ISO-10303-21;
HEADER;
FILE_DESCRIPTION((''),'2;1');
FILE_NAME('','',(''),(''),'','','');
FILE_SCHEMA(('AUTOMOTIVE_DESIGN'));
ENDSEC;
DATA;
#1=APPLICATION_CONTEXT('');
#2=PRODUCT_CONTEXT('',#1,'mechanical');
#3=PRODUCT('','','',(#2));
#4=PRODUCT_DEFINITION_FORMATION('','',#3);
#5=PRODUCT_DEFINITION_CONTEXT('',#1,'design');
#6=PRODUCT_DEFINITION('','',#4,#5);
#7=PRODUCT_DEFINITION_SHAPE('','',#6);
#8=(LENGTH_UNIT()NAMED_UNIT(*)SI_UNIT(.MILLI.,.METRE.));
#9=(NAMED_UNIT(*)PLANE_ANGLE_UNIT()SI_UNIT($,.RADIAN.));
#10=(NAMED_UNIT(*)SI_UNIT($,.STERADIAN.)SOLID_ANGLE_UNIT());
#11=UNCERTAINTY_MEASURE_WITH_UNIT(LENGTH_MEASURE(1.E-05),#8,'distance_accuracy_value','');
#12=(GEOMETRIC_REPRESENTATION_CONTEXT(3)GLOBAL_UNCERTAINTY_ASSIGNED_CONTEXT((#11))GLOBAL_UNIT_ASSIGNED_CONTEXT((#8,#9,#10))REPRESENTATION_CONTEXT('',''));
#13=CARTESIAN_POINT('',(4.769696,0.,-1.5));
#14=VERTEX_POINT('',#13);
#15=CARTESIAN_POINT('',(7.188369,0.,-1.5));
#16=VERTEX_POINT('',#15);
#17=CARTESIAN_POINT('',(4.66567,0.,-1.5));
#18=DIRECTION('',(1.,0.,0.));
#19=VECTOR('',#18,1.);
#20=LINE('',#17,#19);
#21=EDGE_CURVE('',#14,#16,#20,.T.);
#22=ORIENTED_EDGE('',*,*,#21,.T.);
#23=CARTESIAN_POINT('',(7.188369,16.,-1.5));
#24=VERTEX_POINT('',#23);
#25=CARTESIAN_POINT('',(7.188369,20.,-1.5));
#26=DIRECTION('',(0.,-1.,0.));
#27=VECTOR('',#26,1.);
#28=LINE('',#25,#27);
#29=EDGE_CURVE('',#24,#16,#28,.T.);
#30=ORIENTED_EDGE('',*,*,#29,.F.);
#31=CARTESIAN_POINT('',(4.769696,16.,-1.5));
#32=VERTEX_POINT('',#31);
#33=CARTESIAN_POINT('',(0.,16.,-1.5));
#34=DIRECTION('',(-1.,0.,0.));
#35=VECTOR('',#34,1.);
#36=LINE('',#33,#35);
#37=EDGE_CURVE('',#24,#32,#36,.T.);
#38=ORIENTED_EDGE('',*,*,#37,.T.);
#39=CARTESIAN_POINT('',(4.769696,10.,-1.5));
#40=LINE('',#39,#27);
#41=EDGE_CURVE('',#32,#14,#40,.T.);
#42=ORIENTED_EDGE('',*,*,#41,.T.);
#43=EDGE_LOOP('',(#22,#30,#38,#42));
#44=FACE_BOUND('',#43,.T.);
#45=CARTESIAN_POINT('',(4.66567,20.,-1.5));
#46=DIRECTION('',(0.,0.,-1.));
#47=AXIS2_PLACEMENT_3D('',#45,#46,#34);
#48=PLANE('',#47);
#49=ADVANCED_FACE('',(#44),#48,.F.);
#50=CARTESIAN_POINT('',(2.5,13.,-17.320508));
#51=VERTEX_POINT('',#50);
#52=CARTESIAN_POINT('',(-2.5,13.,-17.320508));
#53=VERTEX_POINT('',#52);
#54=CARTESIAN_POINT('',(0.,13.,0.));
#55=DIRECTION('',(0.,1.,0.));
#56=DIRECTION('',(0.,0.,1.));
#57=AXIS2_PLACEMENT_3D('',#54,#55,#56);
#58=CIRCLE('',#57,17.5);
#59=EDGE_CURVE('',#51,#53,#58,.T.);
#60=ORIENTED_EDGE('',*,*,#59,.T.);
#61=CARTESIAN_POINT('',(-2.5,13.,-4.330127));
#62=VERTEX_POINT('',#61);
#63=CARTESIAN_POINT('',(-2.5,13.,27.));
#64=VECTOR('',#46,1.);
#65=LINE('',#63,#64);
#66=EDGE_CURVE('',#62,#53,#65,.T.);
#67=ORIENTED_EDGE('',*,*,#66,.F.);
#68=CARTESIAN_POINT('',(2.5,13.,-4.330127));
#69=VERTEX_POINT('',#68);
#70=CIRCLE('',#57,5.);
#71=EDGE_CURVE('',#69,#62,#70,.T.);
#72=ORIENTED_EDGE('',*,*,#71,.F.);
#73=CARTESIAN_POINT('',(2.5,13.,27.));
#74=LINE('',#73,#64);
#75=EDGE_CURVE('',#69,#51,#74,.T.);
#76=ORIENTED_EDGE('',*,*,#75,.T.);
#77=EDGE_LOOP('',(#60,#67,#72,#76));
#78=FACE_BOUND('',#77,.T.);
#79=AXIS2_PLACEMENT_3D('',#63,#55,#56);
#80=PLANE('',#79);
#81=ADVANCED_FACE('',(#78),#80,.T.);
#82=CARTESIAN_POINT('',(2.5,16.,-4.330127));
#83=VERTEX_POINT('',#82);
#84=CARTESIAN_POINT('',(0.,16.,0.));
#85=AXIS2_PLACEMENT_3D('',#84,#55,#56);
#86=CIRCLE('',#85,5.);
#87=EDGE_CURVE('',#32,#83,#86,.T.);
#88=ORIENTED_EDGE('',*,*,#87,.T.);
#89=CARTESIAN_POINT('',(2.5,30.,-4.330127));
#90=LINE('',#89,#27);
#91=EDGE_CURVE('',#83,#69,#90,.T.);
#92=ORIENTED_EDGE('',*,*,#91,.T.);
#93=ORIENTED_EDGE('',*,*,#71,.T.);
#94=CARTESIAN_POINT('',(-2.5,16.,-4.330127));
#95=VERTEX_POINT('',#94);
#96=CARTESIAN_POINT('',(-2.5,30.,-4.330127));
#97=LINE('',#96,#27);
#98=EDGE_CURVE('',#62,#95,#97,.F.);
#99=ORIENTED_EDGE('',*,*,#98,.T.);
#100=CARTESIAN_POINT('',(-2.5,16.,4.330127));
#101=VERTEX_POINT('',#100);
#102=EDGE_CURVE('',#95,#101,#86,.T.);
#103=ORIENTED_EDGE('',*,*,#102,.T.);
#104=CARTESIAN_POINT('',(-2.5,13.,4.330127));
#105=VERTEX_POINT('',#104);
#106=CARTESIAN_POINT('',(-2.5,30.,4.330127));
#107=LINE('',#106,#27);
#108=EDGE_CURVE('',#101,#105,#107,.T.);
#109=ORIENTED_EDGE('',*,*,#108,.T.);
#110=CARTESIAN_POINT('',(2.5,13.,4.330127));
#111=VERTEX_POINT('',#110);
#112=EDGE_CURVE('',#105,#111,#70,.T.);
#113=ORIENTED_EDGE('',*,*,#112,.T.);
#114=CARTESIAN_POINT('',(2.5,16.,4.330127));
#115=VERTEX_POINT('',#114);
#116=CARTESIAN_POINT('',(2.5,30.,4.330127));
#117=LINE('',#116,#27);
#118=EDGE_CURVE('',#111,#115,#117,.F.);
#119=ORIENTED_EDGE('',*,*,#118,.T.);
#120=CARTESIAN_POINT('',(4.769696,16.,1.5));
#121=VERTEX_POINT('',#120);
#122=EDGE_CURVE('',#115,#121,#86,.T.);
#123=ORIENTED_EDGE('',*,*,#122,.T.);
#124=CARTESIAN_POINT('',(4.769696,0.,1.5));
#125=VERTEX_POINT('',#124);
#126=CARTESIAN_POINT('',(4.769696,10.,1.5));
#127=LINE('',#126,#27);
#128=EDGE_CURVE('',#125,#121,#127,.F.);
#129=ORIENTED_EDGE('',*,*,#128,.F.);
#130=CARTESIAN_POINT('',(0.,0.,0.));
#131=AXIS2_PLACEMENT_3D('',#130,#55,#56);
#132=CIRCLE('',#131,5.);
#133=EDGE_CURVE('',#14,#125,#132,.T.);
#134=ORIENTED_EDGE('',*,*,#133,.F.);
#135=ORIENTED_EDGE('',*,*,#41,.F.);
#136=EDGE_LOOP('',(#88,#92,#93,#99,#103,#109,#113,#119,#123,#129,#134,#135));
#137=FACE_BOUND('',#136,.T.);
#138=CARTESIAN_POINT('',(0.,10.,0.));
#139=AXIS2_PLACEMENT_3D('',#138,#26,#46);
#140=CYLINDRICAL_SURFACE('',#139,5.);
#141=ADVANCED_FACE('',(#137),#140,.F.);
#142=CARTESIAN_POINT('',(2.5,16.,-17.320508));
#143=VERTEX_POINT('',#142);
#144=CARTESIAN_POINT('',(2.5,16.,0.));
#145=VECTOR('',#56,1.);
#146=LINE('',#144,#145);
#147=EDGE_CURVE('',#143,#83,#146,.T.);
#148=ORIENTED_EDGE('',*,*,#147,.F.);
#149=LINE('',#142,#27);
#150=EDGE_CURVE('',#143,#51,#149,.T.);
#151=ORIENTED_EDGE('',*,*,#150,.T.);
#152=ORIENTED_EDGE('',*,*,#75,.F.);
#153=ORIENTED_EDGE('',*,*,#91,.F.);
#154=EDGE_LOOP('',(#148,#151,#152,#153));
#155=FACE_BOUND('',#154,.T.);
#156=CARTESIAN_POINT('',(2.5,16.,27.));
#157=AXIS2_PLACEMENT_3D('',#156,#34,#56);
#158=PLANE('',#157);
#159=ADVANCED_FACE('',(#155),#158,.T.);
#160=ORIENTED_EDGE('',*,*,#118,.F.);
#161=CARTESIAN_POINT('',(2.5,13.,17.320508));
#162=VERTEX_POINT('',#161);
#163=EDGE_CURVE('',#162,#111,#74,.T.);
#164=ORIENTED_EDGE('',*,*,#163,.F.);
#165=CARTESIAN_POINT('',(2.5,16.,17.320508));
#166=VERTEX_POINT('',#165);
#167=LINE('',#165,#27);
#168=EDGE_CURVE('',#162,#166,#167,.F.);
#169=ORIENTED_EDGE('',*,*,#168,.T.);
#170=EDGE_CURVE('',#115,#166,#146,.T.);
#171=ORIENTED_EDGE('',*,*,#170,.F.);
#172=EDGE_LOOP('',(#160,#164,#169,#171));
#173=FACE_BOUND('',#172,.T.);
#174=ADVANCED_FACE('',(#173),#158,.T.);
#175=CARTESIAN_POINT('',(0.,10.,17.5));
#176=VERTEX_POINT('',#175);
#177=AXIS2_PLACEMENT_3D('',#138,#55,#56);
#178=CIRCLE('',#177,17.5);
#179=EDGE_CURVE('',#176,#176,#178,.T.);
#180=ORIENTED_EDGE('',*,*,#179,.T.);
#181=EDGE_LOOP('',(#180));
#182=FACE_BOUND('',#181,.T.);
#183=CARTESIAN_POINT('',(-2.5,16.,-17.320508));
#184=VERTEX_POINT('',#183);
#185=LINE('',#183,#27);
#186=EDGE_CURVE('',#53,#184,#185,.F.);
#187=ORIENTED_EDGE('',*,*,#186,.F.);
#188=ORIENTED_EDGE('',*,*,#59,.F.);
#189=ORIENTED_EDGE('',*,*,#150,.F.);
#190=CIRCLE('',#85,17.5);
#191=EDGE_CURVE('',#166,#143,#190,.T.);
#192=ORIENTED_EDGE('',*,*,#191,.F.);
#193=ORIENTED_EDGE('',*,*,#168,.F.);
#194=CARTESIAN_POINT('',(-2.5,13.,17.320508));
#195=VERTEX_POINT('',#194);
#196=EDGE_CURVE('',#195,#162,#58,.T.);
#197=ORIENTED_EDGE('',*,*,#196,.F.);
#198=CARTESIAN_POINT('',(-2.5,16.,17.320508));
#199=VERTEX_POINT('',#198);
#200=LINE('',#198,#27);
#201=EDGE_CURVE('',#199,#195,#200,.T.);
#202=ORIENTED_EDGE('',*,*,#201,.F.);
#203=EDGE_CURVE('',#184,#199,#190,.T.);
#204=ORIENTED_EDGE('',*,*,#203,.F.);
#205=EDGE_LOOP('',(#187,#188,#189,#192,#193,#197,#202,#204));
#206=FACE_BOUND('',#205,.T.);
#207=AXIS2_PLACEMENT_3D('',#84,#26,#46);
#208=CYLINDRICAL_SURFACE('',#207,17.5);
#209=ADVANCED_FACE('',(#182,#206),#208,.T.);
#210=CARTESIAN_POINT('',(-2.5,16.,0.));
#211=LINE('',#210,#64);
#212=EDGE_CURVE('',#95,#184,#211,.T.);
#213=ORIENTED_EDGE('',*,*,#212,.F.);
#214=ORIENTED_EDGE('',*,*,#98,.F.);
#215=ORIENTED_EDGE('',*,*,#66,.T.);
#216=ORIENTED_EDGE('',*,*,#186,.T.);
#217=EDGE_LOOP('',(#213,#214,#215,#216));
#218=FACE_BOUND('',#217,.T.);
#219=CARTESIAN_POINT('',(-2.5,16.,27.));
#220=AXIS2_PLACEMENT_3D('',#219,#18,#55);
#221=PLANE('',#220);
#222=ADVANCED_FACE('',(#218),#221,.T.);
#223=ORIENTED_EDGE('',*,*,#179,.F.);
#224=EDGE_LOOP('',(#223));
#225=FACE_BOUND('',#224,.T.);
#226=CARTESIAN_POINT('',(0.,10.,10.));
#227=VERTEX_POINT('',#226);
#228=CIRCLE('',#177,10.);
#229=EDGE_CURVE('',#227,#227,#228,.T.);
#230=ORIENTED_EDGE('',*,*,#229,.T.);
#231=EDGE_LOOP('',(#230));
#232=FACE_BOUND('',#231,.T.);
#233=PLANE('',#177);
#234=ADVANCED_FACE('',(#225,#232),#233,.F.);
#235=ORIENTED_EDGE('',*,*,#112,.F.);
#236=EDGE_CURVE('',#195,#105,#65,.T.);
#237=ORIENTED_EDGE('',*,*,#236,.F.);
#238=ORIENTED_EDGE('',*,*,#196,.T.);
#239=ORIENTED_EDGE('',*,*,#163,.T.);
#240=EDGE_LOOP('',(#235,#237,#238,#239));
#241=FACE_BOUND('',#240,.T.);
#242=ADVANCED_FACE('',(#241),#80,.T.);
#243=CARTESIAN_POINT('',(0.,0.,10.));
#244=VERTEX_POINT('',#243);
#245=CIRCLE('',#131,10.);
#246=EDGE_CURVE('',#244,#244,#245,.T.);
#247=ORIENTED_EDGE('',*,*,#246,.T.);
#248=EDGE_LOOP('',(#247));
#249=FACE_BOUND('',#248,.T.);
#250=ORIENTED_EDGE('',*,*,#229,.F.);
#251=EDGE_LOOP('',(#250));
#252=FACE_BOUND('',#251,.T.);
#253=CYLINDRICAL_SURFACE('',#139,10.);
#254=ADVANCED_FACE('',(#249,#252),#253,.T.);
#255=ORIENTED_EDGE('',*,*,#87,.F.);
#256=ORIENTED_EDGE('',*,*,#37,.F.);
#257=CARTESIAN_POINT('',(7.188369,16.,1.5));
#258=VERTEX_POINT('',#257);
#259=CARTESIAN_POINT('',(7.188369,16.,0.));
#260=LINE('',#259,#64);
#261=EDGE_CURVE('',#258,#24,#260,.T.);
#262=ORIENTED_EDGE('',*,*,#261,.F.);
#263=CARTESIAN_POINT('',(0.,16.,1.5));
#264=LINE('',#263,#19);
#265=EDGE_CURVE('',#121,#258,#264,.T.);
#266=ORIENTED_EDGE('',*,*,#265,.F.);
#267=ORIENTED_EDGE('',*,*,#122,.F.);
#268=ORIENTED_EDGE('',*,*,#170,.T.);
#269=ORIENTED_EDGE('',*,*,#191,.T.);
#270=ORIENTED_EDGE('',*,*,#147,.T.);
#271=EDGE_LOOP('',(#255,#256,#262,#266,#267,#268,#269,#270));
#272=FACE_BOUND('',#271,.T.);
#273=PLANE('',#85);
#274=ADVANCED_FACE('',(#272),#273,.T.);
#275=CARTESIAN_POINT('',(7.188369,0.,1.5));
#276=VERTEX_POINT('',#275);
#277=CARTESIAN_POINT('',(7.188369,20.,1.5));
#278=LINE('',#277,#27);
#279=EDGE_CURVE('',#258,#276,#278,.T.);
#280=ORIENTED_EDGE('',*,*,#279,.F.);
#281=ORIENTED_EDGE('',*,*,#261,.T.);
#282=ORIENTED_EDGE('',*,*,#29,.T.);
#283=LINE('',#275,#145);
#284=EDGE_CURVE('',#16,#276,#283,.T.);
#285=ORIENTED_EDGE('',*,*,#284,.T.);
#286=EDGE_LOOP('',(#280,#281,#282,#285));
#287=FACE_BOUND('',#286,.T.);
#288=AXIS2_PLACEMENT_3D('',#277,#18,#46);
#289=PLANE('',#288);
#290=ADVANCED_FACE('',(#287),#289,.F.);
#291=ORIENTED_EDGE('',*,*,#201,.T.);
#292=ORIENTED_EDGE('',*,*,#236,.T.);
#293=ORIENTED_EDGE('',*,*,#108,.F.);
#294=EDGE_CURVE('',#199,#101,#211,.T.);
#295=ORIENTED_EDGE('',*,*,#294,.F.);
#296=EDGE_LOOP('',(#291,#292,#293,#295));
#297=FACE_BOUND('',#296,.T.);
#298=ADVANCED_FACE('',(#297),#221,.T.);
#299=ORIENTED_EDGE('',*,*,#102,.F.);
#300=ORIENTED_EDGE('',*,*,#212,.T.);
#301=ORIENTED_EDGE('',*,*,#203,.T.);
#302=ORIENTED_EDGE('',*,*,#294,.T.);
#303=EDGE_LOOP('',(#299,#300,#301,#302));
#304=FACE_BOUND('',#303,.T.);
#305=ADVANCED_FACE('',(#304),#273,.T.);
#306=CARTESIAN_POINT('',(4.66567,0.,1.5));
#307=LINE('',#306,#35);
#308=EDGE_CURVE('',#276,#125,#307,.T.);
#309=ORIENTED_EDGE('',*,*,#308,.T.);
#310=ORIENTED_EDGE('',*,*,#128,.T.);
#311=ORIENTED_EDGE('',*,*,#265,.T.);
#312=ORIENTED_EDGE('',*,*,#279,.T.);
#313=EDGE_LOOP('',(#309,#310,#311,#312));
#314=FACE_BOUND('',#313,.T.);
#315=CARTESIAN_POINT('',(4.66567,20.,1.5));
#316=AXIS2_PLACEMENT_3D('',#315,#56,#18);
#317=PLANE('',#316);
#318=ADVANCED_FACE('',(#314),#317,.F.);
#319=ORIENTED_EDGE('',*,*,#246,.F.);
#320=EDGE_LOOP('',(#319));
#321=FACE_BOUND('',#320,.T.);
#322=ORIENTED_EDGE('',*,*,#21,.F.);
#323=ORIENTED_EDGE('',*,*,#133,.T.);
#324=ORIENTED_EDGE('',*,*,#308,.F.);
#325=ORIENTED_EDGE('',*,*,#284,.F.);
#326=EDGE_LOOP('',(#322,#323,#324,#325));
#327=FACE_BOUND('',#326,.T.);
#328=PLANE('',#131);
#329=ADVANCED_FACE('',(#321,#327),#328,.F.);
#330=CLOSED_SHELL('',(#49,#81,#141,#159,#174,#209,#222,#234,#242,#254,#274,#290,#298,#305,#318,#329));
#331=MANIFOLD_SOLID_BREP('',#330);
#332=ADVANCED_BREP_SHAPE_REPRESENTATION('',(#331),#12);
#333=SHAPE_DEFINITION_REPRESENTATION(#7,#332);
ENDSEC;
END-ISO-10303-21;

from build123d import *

# Parameters (mm, degrees)
SKETCH1_R               = 10
SKETCH1_R_2             = 5
BOSS_EXTRUDE1_DEPTH     = 10
SKETCH2_R               = 17.5
BOSS_EXTRUDE2_DEPTH     = 6
SKETCH3_W               = 5
SKETCH3_H               = 3
CUT_EXTRUDE1_DEPTH      = 27
CUT_EXTRUDE1_DEPTH_BACK = 20
SKETCH4_R               = 5
CUT_EXTRUDE2_DEPTH      = 20
SKETCH6_W               = 2.522698513
SKETCH6_H               = 3
CUT_EXTRUDE3_DEPTH      = 20


with BuildPart() as part:
    # Sketch1 → Boss-Extrude1 (new body)
    with BuildSketch(Plane(origin=(0, 0, 0), x_dir=(1, 0, 0), z_dir=(0, 1, 0))):
        Circle(SKETCH1_R)
        Circle(SKETCH1_R_2, mode=Mode.SUBTRACT)
    extrude(amount=BOSS_EXTRUDE1_DEPTH)

    # Sketch2 → Boss-Extrude2 (add)
    with BuildSketch(Plane(origin=(0, 10, 0), x_dir=(1, 0, 0), z_dir=(0, 1, 0))):
        Circle(SKETCH2_R)
    extrude(amount=BOSS_EXTRUDE2_DEPTH)

    # Sketch3 → Cut-Extrude1 (cut, two sides)
    with BuildSketch(Plane.XY) as cut_extrude1_sk:
        with Locations((0, 14.5)):
            Rectangle(SKETCH3_W, SKETCH3_H)
    extrude(amount=CUT_EXTRUDE1_DEPTH, mode=Mode.SUBTRACT)
    extrude(cut_extrude1_sk.sketch, amount=-CUT_EXTRUDE1_DEPTH_BACK, mode=Mode.SUBTRACT)

    # Sketch4 → Cut-Extrude2 (cut)
    with BuildSketch(Plane.XZ.offset(-10)):
        Circle(SKETCH4_R)
    extrude(amount=-CUT_EXTRUDE2_DEPTH, mode=Mode.SUBTRACT)

    # Sketch6 → Cut-Extrude3 (cut)
    with BuildSketch(Plane.XZ):
        with Locations((5.927019422, 0)):
            Rectangle(SKETCH6_W, SKETCH6_H)
    extrude(amount=-CUT_EXTRUDE3_DEPTH, mode=Mode.SUBTRACT)


solid = part.part
